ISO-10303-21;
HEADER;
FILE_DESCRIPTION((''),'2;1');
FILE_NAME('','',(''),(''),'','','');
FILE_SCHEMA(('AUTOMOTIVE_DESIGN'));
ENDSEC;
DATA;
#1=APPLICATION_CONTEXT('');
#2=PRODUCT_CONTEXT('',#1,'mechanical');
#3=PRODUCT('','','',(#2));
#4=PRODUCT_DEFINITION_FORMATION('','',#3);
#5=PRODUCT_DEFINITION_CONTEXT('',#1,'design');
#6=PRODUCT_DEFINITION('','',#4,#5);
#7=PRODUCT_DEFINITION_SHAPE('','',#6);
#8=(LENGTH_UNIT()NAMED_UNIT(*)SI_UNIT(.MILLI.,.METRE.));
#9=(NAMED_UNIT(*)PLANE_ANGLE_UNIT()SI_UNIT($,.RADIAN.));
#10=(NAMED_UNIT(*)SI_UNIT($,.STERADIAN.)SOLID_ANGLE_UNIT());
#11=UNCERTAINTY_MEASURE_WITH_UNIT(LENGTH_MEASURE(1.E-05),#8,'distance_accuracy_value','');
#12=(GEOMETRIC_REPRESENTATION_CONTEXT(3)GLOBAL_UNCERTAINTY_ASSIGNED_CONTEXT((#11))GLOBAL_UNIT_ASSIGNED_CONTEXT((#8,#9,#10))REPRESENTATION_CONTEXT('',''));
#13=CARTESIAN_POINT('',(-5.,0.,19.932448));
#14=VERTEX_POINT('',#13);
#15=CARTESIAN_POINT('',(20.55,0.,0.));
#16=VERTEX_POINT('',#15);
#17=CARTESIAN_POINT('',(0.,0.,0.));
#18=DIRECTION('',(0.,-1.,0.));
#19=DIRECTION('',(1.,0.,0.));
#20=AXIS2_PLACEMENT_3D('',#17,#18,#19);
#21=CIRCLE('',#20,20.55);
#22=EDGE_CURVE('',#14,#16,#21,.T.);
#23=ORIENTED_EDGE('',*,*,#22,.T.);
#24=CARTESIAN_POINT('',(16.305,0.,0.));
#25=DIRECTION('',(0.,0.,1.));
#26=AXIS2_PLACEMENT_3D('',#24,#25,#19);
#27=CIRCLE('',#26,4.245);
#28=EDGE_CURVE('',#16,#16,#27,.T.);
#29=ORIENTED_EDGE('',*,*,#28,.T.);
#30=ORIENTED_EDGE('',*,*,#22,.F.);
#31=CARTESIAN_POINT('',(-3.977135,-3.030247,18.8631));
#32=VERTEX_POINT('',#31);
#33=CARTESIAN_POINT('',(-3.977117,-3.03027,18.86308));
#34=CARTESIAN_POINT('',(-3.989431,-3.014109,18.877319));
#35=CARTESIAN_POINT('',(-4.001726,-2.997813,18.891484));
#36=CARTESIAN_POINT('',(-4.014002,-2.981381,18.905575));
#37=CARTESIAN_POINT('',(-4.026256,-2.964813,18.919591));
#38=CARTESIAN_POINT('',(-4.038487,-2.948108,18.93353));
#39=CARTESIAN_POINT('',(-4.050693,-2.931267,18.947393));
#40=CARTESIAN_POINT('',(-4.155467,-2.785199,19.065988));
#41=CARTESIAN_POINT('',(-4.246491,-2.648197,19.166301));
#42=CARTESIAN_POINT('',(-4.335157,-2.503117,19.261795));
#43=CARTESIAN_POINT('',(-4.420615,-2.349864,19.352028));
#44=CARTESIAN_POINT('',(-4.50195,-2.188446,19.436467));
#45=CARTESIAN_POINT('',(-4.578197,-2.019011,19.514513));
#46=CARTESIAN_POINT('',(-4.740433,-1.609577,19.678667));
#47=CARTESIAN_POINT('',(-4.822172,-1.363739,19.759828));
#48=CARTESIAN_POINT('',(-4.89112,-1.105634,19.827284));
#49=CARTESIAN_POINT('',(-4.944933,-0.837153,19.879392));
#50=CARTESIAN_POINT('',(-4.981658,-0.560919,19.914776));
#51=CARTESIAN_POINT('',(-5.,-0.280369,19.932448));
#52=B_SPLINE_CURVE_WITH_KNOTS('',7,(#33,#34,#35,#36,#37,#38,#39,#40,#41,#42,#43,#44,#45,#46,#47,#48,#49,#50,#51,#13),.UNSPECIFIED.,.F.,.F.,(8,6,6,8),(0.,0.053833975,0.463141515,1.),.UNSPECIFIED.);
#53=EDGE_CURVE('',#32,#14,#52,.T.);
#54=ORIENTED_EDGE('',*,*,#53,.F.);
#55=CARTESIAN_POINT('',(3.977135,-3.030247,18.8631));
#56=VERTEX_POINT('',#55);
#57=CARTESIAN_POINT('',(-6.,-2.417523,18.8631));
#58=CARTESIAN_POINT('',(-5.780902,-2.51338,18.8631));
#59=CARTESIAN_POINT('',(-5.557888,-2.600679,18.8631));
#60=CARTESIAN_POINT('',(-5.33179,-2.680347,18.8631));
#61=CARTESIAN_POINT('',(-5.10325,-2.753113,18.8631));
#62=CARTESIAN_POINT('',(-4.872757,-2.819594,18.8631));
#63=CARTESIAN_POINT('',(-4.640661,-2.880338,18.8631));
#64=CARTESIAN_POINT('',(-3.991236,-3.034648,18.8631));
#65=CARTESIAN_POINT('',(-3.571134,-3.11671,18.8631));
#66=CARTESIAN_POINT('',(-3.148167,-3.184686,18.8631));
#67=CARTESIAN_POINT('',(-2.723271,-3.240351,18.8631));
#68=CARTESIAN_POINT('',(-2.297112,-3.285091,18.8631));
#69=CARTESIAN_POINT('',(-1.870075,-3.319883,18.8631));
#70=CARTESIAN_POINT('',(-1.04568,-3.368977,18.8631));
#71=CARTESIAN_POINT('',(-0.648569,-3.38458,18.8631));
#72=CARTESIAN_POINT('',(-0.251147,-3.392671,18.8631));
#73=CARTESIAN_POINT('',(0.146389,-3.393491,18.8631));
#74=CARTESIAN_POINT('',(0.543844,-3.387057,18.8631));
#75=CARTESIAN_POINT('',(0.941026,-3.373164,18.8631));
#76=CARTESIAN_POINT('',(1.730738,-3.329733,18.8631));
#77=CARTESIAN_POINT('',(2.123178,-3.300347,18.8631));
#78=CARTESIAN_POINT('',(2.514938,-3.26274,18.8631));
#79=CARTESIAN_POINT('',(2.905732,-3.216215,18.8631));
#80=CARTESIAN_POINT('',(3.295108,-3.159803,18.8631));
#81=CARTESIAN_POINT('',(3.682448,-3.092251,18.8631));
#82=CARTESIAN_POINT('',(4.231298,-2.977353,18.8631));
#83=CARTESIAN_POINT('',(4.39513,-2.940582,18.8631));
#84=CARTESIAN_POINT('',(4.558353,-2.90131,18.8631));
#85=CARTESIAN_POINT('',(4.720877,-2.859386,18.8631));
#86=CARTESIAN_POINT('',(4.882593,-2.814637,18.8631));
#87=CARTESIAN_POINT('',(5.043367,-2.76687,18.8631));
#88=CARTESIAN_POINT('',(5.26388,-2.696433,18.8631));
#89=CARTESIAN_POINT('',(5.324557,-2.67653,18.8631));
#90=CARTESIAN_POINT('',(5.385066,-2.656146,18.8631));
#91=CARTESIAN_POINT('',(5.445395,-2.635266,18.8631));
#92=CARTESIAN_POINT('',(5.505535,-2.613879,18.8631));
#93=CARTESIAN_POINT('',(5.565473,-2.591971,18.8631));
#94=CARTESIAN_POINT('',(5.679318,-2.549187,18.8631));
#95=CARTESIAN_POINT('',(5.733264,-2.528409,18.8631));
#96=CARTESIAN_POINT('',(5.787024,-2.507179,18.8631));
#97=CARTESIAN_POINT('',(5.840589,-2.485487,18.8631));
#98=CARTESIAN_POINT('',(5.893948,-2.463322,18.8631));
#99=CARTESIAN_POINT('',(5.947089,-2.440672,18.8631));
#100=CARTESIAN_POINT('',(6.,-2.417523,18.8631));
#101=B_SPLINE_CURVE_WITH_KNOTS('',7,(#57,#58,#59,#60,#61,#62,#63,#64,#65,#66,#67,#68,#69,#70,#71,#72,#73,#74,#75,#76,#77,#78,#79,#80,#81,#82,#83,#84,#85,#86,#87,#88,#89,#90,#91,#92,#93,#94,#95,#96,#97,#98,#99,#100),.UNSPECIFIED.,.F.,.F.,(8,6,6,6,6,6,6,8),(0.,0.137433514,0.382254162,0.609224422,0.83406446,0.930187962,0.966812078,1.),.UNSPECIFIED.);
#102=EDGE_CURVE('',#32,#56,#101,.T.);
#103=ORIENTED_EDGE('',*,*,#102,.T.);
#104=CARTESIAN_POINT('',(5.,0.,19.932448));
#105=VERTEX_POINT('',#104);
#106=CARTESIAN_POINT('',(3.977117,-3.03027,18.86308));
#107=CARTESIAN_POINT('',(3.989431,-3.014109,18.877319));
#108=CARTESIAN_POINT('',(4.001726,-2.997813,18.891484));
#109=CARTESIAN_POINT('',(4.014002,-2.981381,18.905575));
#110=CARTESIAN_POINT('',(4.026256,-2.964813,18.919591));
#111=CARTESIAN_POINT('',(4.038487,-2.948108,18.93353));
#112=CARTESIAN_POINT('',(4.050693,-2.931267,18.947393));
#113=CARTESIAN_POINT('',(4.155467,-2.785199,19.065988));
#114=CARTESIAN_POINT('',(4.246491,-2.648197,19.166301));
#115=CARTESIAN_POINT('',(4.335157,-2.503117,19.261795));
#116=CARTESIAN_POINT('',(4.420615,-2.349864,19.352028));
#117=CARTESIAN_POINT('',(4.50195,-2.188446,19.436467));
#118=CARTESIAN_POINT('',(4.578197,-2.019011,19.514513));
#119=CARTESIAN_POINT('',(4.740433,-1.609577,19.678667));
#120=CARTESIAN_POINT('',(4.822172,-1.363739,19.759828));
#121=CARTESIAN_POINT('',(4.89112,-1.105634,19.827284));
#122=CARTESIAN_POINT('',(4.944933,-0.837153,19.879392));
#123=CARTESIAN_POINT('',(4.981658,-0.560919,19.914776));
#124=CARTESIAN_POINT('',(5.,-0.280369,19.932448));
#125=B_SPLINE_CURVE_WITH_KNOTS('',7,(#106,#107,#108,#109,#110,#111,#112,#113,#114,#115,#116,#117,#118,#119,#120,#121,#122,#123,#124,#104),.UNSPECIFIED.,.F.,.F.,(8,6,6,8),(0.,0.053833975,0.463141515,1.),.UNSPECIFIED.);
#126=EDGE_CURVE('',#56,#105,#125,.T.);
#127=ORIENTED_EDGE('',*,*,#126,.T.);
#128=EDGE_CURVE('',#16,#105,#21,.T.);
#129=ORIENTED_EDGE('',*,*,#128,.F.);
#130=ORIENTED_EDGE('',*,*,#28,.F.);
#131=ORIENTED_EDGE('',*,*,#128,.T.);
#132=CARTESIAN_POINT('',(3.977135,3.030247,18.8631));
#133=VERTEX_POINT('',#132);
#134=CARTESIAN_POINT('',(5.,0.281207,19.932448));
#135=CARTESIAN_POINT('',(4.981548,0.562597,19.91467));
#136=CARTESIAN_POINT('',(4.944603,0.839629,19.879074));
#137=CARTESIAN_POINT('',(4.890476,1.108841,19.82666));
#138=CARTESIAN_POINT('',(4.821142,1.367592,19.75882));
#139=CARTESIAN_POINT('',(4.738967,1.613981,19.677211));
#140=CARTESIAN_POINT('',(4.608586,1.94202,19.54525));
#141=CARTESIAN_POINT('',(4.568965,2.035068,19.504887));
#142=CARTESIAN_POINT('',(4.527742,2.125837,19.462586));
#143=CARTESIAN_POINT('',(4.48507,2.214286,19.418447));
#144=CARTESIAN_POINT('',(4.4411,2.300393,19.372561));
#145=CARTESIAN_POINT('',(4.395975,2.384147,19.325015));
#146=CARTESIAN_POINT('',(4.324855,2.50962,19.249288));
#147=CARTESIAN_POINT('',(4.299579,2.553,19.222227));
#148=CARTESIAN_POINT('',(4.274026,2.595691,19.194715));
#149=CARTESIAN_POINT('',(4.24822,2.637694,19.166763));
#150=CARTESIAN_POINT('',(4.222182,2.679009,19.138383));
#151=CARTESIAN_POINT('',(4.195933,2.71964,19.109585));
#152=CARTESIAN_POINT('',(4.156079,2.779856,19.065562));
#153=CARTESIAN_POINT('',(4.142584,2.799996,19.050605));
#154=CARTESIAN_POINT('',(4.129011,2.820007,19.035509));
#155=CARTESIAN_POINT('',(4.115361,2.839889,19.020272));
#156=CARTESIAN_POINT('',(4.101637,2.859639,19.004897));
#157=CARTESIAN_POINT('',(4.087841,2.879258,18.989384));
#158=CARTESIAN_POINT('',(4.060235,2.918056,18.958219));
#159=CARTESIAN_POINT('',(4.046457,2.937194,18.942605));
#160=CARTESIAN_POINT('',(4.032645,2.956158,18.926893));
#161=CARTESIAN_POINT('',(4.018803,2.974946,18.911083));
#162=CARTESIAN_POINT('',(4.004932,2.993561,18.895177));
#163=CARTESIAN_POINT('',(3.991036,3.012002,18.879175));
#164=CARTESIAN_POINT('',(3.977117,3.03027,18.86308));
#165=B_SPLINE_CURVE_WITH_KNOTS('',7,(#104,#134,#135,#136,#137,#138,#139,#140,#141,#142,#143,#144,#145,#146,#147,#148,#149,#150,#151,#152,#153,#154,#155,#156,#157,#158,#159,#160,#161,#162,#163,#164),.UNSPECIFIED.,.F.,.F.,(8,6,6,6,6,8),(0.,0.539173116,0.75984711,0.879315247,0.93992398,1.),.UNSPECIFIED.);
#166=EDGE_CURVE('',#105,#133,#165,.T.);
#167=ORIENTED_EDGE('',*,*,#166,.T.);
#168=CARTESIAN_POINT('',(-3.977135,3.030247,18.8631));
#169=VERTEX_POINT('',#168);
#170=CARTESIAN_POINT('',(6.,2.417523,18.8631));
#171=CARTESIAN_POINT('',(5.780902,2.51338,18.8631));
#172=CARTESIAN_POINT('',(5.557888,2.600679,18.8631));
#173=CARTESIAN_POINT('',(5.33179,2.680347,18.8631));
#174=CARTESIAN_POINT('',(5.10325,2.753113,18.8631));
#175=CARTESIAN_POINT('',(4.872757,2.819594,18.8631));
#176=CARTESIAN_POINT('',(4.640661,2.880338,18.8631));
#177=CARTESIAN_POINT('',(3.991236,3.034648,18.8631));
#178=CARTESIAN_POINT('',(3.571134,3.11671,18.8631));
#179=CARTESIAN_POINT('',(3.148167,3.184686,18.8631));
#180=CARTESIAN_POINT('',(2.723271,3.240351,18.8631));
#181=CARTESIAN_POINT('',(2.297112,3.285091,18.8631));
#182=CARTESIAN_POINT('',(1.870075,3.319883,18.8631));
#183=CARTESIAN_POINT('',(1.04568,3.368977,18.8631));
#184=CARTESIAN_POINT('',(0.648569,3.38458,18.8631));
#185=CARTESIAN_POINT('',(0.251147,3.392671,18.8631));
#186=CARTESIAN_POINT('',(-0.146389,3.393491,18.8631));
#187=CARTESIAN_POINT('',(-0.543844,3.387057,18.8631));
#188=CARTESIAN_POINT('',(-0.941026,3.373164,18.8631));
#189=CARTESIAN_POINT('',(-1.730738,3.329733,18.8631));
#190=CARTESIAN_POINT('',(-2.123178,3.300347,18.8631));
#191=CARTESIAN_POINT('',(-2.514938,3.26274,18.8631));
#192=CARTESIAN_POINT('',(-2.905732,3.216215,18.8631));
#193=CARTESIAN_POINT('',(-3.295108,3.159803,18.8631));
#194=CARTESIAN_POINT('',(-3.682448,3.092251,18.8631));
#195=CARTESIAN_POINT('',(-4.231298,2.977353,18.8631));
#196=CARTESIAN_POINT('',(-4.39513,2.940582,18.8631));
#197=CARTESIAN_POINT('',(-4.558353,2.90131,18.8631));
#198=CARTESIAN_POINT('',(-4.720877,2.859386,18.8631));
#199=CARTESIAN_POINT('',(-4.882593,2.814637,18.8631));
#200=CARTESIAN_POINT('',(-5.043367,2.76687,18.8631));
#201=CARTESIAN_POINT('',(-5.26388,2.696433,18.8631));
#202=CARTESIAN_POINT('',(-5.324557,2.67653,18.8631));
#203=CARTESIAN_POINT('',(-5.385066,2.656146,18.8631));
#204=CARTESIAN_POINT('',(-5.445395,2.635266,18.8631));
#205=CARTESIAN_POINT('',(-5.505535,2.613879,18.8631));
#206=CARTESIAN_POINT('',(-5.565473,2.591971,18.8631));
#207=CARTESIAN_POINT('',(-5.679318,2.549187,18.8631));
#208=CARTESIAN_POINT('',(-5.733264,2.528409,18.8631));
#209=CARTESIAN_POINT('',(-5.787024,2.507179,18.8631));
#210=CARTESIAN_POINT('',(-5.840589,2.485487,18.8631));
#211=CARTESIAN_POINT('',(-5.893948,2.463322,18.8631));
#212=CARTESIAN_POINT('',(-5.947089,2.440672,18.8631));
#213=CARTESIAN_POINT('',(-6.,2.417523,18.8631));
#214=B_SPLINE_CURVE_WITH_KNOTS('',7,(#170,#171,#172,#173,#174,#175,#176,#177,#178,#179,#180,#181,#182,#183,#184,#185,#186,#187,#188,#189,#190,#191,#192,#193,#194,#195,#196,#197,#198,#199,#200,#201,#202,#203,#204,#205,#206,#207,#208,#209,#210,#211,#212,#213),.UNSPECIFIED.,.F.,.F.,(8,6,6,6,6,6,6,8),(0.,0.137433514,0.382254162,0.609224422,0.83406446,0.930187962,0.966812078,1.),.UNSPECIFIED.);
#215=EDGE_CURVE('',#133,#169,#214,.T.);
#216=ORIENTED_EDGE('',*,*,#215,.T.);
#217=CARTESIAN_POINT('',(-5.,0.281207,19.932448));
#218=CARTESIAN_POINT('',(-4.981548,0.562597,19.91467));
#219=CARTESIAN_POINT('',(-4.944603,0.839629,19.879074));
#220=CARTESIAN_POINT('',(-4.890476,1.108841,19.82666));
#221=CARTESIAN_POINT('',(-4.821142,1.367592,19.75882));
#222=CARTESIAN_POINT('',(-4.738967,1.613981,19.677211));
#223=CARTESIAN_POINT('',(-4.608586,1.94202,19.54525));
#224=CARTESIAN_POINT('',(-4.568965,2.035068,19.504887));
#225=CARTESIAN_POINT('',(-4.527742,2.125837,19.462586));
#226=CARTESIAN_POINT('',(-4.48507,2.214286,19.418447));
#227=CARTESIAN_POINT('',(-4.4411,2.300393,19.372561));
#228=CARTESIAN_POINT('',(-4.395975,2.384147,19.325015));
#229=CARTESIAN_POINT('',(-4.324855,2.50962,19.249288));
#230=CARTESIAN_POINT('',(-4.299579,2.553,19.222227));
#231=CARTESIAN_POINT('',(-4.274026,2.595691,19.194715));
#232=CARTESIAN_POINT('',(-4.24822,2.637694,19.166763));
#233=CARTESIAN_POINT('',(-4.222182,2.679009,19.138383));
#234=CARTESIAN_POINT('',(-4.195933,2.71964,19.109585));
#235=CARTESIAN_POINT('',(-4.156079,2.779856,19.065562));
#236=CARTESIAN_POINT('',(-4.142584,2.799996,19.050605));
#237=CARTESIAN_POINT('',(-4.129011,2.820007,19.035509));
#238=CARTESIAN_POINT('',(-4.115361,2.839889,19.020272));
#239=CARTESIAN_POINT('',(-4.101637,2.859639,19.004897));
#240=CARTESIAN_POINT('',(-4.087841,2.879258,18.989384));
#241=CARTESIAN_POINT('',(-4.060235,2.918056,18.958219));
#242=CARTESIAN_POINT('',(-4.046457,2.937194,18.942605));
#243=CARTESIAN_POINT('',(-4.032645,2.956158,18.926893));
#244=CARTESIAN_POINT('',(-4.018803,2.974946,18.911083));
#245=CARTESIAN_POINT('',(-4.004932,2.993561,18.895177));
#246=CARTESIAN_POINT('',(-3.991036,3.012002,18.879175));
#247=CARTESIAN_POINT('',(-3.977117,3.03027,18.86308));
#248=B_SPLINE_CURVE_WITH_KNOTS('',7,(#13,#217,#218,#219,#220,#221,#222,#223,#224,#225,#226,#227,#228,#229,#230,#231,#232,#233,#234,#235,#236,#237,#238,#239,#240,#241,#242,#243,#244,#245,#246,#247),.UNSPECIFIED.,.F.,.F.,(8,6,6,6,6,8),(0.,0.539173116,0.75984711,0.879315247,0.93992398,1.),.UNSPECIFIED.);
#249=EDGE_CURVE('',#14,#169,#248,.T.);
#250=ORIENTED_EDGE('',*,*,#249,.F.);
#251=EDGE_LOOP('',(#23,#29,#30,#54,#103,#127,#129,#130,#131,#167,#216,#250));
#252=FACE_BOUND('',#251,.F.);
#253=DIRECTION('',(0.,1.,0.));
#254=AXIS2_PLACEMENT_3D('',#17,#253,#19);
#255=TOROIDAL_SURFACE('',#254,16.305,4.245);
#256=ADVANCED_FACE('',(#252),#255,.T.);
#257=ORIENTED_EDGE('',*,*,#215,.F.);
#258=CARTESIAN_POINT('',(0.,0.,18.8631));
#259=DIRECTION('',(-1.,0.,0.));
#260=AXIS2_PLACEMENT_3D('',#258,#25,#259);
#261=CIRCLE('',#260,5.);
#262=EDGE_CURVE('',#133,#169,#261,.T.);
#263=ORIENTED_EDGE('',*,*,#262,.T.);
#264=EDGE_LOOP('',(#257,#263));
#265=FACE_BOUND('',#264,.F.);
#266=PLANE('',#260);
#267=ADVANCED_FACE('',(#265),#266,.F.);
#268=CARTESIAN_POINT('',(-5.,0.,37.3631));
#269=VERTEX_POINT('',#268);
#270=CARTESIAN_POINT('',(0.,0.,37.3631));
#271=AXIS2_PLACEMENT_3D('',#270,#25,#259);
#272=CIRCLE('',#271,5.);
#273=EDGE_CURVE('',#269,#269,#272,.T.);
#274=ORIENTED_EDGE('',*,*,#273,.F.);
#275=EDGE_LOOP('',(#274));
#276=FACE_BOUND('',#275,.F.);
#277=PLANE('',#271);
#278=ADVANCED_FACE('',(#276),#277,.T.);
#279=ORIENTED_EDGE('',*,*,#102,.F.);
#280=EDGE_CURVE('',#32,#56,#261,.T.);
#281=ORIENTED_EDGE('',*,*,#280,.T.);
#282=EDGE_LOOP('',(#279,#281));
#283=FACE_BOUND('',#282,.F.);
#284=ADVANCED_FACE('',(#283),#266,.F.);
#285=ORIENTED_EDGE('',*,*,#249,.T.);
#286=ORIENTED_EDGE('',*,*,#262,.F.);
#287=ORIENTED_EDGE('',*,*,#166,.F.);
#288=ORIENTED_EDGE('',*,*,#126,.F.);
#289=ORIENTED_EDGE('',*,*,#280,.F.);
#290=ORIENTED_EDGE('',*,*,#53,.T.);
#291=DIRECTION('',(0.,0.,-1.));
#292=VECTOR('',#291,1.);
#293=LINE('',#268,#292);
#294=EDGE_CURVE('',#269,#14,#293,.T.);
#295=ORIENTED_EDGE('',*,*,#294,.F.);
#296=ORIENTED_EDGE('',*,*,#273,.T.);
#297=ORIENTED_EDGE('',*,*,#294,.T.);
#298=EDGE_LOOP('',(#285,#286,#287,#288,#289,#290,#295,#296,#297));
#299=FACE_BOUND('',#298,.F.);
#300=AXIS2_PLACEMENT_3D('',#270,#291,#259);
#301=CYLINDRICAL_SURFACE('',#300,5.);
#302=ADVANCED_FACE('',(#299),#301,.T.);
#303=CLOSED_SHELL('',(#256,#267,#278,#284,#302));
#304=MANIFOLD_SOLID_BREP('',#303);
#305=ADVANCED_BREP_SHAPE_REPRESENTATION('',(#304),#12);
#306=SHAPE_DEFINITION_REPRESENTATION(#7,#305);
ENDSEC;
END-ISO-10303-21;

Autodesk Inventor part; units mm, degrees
ref_plane "YZ Plane" through (0, 0, 0) normal (1, 0, 0) x (0, 1, 0)
ref_plane "XZ Plane" through (0, 0, 0) normal (0, 1, 0) x (-1, 0, 0)
ref_plane "XY Plane" through (0, 0, 0) normal (0, 0, 1) x (1, 0, 0)
sketch "Sketch1" plane through (0, 0, 0) normal (0, 0, 1) x (1, 0, 0)
  circle A0 centre (16.305, 0) radius 4.245
  line L0 (16.305, 0) -> (0, 0) construction
  line L1 (0, 0) -> (0, -5.537) construction
  dimension "d0" = 8.49
  dimension "d1" = 16.305
revolve "Revolution1" add sketch "Sketch1" angle 360 about axis through (0, 0, 0) along (0, -1, 0)
sketch "Sketch2" plane through (0, 0, 0) normal (0, 1, 0) x (-1, 0, 0)
  line L0 (5, 18.8631) -> (0, 18.8631)
  line L1 (0, 18.8631) -> (0, 37.3631)
  line L2 (0, 37.3631) -> (5, 37.3631)
  line L3 (5, 37.3631) -> (5, 18.8631)
  point P0 (0, 0)
  dimension "d3" = 5
  dimension "d4" = 18.5
revolve "Revolution2" add sketch "Sketch2" angle 360 about axis through (0, 0, 18.8631) along (0, 0, 1)
properties part number "24mm ID Eye bolt" material "Aluminum 6061"
